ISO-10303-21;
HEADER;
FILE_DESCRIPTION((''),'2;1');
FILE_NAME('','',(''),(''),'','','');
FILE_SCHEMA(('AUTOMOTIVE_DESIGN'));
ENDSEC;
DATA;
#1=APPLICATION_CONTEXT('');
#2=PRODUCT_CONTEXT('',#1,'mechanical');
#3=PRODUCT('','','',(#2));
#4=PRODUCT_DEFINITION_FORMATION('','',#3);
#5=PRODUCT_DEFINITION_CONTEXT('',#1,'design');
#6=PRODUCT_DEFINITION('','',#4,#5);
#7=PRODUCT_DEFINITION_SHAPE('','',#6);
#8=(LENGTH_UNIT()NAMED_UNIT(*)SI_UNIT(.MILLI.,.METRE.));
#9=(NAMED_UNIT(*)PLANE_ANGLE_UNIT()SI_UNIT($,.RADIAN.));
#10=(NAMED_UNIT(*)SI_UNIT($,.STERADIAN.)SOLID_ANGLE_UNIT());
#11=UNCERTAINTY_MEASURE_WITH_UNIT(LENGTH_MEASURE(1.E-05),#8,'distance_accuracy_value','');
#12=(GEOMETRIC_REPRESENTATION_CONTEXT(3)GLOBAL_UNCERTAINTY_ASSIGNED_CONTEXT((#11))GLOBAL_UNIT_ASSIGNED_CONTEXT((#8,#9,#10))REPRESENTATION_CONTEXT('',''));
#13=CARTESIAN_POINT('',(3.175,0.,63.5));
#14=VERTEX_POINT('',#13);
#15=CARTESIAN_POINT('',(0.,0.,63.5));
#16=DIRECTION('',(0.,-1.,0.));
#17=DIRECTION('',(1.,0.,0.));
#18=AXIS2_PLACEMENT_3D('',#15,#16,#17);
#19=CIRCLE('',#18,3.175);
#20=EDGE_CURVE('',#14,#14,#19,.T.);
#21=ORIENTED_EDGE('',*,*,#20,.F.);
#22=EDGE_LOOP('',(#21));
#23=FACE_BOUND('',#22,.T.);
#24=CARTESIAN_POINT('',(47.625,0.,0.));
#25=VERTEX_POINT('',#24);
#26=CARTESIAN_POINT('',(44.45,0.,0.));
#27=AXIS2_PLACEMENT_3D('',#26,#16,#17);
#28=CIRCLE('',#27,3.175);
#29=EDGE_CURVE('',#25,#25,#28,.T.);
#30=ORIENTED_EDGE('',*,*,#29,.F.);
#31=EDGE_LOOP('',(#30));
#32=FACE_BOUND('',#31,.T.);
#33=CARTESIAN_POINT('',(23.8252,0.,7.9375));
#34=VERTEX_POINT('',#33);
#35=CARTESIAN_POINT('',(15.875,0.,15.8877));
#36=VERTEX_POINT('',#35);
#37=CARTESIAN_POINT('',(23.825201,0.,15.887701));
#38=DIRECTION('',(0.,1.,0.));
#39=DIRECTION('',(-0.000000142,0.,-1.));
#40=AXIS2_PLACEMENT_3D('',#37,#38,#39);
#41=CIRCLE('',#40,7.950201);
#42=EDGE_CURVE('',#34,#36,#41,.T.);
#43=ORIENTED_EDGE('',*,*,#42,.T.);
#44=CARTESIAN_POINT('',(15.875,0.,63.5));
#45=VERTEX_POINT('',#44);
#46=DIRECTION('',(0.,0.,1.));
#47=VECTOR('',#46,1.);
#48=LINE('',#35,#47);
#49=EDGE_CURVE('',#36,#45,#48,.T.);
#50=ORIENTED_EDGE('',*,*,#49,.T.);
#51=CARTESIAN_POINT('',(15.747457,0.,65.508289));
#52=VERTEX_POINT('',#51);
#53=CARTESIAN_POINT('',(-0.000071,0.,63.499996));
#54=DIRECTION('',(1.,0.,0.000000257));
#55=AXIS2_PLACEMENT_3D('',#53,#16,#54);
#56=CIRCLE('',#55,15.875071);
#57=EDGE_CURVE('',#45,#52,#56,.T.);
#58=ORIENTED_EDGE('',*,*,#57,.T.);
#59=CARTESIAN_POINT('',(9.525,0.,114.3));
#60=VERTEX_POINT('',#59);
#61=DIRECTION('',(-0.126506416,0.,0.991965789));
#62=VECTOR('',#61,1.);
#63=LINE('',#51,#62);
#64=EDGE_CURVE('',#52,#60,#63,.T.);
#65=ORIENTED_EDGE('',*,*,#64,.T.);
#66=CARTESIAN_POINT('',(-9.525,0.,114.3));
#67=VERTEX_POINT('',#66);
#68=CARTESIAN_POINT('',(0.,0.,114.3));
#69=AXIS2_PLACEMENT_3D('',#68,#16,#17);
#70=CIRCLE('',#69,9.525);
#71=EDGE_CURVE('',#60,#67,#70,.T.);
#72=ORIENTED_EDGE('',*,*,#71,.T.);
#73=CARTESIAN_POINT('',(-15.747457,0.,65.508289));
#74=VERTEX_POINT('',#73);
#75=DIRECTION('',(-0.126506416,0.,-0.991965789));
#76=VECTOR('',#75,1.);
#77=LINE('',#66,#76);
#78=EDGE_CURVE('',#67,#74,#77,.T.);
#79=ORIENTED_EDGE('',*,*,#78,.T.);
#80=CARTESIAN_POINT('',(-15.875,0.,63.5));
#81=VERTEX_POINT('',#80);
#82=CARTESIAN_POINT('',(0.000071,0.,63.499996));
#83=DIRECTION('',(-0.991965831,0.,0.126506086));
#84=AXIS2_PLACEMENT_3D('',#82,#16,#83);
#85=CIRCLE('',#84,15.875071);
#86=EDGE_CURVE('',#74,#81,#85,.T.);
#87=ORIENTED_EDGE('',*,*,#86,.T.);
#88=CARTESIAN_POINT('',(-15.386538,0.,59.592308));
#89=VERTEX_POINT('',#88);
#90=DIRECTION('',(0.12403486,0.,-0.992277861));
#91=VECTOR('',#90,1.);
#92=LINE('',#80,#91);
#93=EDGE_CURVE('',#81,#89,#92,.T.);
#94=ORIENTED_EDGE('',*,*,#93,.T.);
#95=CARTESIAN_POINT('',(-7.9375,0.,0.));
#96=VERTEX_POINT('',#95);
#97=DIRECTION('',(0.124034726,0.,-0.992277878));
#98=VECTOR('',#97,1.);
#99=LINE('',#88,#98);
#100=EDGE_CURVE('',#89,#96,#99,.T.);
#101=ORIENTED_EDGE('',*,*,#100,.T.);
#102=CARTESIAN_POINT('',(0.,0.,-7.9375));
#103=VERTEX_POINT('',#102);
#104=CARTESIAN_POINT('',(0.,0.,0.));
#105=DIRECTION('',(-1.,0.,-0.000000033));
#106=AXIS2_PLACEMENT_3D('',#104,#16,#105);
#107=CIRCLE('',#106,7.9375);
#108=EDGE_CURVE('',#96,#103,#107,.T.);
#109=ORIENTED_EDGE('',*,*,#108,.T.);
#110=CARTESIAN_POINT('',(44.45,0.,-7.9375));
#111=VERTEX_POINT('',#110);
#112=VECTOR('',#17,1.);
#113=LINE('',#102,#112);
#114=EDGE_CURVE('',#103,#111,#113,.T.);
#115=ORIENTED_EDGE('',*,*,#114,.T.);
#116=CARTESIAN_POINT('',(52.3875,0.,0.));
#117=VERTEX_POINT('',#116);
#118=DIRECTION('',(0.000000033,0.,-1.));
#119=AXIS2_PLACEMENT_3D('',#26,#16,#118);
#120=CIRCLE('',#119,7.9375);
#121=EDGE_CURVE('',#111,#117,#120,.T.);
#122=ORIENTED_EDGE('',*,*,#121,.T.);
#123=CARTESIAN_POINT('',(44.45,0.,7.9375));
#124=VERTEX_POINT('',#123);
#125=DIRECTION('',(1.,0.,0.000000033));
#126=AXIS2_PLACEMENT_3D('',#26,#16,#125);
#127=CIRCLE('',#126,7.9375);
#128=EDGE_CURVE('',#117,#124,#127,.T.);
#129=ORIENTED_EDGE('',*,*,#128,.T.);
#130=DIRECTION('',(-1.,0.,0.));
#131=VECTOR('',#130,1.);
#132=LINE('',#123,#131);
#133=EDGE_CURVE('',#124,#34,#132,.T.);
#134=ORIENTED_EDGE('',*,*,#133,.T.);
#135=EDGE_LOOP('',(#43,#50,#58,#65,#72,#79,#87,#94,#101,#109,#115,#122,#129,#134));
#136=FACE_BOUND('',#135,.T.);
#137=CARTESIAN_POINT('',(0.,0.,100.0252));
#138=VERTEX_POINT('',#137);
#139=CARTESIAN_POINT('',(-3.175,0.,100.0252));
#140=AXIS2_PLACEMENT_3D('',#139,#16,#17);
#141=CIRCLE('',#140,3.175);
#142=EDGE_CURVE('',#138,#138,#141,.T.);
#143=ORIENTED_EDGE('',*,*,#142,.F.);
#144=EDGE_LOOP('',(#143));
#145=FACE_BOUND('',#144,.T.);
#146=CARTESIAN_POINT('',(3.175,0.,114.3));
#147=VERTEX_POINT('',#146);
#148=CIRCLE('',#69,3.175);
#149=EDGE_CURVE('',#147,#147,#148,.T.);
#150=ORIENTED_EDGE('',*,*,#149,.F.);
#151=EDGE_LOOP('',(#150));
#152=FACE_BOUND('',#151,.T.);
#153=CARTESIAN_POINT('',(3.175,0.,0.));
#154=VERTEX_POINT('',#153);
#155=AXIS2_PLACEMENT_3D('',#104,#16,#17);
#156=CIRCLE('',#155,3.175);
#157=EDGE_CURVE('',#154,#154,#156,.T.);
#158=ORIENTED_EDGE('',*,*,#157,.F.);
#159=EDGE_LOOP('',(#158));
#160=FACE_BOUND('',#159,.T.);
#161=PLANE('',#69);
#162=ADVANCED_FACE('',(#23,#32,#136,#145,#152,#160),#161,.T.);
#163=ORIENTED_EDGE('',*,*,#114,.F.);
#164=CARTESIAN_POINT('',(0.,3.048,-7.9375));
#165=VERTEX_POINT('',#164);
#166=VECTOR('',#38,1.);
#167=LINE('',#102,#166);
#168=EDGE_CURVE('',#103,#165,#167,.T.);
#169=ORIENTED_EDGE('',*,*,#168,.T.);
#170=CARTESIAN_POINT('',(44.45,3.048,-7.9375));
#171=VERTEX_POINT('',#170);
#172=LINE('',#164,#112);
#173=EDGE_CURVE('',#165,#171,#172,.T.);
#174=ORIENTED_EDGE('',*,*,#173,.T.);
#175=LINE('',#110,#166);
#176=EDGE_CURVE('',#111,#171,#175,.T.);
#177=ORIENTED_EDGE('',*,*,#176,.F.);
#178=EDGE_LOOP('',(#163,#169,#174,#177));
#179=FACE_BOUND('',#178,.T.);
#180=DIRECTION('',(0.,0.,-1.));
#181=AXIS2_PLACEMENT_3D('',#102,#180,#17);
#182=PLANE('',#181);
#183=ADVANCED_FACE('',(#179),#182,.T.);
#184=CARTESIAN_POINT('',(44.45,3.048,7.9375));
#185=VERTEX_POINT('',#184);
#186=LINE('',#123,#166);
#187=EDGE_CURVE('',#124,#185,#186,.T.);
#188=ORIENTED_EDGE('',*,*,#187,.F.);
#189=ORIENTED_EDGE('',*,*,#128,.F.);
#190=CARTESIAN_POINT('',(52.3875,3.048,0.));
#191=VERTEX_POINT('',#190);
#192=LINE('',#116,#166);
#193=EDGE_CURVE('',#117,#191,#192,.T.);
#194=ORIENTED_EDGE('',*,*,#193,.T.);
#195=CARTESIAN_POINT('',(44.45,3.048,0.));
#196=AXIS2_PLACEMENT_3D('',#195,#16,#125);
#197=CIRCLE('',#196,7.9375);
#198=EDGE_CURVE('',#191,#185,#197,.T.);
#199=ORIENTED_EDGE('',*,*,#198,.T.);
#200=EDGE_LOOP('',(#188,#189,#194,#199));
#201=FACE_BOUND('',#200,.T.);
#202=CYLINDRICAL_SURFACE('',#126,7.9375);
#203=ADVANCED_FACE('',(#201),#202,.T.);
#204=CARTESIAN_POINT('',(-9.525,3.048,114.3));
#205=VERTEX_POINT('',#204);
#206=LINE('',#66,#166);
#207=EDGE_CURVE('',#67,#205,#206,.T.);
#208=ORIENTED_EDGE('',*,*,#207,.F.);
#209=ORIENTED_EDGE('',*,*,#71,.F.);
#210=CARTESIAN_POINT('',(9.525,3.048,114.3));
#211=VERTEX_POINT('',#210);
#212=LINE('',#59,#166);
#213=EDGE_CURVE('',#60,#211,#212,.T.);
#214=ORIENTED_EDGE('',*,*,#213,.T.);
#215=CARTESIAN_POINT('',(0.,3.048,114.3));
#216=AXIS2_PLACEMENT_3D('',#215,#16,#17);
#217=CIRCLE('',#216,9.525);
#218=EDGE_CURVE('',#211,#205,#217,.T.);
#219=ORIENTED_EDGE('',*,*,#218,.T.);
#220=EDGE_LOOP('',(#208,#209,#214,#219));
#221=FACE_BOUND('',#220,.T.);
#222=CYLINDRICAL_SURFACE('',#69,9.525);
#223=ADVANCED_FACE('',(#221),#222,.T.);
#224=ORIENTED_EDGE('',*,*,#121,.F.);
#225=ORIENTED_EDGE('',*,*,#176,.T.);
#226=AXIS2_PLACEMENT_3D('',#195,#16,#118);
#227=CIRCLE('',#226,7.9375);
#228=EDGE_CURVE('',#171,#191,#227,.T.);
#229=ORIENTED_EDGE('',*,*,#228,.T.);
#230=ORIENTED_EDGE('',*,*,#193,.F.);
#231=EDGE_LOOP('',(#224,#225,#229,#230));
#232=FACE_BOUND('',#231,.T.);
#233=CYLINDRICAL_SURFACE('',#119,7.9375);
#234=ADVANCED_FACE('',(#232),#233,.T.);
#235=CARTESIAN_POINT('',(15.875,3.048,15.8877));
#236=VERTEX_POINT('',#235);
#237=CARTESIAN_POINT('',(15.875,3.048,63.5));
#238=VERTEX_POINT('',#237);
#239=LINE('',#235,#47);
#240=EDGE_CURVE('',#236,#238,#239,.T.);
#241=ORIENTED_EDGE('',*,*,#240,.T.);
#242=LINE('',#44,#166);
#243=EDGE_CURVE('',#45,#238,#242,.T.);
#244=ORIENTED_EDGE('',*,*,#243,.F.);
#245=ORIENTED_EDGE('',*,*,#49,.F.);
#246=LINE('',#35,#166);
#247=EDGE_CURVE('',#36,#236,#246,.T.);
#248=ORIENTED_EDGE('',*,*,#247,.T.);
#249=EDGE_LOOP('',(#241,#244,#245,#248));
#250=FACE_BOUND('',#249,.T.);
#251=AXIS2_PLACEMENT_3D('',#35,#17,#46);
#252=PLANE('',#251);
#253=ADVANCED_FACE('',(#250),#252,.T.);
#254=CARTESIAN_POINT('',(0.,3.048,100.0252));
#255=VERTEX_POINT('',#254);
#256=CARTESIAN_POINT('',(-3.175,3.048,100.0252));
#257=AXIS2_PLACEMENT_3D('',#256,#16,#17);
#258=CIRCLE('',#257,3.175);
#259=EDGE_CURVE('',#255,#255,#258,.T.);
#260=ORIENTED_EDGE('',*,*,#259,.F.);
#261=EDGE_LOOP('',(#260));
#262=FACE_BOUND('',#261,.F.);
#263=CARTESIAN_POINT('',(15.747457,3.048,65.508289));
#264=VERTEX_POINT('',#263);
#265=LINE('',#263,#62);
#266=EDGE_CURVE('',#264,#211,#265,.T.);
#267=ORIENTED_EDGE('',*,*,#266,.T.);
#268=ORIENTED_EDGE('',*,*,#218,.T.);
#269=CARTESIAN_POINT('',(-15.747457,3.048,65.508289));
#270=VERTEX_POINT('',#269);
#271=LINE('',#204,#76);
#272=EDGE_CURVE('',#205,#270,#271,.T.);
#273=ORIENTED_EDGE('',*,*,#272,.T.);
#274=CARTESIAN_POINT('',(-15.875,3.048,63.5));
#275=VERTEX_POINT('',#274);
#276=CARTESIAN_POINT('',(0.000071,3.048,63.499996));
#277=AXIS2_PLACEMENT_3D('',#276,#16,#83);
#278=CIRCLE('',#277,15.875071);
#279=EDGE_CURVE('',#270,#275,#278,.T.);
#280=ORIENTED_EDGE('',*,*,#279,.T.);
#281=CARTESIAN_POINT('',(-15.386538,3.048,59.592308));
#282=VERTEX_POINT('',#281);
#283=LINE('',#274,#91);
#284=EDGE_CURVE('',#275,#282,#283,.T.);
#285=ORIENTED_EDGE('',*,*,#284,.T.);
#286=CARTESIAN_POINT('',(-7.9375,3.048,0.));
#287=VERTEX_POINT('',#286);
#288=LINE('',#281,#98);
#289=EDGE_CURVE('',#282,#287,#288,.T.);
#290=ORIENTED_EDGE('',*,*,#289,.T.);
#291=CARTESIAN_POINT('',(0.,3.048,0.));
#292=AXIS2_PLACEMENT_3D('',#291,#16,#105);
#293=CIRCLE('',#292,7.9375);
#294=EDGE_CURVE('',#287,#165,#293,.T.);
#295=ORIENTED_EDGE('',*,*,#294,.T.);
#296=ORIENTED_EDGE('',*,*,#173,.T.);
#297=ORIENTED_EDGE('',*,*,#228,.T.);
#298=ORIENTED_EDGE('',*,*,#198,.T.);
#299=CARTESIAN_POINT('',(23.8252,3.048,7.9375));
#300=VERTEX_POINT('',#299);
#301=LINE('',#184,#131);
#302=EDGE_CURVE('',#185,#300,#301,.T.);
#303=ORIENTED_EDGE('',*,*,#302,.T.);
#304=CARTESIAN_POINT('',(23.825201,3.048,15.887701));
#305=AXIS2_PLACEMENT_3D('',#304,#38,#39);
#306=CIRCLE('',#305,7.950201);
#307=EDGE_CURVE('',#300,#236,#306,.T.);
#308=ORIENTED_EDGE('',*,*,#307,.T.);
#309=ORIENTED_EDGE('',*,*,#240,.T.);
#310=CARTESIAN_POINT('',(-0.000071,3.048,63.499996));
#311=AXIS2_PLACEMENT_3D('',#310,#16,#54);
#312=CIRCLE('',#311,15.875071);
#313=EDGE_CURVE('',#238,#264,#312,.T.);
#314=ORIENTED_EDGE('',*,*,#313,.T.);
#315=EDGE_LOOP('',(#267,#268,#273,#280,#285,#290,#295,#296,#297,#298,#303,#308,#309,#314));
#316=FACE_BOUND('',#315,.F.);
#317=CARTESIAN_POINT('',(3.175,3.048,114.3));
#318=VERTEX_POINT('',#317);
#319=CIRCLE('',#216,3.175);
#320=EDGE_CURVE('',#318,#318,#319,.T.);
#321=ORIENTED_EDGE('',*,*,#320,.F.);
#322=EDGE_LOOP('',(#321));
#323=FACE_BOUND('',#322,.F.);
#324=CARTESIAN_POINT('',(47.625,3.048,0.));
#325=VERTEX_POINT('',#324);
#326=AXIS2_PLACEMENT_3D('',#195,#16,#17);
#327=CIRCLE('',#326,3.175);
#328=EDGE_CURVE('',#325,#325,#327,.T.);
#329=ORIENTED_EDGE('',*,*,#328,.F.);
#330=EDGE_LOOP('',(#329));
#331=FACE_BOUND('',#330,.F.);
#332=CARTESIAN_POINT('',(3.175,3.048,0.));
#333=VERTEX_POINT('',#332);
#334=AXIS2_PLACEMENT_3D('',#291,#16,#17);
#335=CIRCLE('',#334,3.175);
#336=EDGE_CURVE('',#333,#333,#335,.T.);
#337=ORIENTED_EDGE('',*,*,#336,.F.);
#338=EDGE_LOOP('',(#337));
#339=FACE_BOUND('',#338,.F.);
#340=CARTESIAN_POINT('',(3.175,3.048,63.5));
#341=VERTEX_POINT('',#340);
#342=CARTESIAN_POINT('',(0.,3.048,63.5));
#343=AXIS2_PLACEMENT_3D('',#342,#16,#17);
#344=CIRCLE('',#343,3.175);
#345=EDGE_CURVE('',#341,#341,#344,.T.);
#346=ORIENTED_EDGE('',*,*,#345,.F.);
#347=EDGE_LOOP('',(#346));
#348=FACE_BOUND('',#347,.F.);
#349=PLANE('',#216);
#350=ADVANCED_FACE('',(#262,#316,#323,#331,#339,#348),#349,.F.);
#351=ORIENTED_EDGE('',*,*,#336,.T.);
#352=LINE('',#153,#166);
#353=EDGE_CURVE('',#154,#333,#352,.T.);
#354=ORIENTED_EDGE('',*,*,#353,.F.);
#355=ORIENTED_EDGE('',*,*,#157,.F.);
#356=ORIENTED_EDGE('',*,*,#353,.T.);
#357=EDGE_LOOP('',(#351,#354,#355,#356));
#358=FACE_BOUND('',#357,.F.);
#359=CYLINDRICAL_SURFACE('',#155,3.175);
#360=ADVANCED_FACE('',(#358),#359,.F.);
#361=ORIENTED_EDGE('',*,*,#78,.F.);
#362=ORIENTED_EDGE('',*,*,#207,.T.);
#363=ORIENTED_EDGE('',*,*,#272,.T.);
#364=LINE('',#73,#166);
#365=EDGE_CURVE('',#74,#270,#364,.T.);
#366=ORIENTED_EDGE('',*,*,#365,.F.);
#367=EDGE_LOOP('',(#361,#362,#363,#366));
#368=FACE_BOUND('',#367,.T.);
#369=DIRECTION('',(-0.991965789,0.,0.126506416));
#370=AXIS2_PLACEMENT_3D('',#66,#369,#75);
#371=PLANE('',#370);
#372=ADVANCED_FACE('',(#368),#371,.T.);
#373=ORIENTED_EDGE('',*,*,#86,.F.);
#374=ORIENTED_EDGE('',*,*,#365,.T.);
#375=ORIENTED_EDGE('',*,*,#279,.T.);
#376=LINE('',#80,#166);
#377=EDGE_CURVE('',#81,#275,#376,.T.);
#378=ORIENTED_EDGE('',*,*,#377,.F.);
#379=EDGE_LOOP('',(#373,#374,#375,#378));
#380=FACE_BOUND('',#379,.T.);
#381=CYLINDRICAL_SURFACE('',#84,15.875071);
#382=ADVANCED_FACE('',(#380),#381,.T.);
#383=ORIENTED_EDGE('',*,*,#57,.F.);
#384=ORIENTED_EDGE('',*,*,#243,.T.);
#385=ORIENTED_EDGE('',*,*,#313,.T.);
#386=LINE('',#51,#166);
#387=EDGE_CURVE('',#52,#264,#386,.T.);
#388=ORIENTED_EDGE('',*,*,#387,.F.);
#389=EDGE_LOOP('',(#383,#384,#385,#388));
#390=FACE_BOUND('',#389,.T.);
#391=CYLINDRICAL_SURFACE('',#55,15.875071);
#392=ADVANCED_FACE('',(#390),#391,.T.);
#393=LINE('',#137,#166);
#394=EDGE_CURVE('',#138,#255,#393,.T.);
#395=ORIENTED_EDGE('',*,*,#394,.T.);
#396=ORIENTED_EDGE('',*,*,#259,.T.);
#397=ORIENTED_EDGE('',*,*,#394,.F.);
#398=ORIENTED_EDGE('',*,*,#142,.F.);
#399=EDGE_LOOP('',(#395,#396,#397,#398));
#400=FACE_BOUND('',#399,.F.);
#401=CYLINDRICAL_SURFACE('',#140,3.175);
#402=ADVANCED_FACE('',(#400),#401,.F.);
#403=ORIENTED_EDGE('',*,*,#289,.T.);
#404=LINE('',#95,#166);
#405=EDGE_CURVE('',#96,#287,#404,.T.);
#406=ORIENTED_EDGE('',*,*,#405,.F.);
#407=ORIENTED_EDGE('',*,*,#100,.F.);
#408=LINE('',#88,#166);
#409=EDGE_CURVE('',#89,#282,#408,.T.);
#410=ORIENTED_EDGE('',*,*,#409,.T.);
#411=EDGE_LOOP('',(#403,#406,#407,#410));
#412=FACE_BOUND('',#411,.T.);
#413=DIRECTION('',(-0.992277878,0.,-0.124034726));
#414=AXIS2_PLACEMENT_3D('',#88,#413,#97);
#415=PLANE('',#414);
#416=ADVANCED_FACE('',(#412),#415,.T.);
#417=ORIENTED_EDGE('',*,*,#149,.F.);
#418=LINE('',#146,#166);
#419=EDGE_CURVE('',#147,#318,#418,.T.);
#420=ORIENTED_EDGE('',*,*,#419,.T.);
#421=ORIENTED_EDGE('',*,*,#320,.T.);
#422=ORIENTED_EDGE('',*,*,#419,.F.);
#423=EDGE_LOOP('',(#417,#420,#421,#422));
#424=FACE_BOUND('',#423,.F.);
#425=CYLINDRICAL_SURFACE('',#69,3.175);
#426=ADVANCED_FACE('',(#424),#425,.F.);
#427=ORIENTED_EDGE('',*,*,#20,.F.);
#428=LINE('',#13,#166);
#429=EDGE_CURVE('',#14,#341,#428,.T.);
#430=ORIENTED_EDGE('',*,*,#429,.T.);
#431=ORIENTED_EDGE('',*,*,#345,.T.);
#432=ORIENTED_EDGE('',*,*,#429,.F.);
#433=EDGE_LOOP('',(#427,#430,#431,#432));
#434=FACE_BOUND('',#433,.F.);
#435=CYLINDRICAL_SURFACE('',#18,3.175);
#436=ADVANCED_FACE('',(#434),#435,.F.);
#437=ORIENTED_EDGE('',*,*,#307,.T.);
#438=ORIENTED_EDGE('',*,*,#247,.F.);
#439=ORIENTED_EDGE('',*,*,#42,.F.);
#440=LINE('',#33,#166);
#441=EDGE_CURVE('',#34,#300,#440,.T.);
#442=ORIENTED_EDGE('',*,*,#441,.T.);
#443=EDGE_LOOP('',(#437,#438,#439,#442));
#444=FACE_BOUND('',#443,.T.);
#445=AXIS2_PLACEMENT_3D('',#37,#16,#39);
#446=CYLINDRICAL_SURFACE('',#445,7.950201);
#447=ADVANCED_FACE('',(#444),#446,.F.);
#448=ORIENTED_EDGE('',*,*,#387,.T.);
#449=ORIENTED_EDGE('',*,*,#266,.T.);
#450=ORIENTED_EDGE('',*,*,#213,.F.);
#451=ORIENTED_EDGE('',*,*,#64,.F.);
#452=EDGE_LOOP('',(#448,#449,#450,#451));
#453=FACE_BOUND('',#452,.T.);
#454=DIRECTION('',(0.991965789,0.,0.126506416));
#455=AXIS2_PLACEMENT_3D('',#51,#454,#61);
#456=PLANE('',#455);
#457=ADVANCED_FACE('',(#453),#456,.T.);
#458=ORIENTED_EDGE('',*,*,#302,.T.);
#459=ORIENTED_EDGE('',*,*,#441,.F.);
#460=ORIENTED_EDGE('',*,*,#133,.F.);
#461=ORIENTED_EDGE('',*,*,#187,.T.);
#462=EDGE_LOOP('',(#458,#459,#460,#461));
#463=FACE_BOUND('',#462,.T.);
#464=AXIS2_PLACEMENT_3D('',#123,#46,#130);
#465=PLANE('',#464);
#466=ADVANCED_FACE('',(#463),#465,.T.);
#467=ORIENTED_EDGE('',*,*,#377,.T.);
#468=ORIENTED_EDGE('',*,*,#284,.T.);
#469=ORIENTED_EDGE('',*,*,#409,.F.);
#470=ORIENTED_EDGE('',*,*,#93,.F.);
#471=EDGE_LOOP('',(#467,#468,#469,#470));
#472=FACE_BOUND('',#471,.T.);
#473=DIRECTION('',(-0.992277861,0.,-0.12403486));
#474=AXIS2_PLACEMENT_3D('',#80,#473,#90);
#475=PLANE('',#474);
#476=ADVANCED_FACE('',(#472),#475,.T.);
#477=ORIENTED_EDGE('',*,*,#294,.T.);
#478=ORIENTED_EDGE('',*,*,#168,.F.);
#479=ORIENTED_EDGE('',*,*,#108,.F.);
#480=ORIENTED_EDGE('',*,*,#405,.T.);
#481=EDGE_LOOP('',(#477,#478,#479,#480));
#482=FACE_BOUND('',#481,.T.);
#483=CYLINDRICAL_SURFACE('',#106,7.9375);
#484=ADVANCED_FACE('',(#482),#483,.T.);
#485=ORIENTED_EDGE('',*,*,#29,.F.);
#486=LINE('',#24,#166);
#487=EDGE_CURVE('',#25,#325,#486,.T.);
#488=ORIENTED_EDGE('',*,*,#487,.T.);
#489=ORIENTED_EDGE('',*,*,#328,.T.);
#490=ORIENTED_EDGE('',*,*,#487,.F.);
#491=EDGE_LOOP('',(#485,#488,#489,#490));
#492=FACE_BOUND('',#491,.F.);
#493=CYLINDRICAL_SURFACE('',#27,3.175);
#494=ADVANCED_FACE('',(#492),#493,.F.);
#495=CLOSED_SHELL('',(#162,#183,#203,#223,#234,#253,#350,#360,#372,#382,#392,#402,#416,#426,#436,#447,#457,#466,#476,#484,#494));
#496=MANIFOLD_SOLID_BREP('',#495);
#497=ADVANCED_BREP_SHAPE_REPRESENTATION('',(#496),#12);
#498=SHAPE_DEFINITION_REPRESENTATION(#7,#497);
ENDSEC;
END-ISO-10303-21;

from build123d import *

# Parameters (mm, degrees)
F0_R     = 3.175
F1_DEPTH = 3.048


with BuildPart() as f1:
    # F0 (on Front) → F1 (new body)
    with BuildSketch(Plane.XZ):
        with BuildLine():
            ThreePointArc((-9.525, 114.3), (0, 104.775), (9.525, 114.3))
            ThreePointArc((9.525, 114.3), (0, 123.825), (-9.525, 114.3))
        make_face()
        with Locations((0, 114.3)):
            Circle(F0_R, mode=Mode.SUBTRACT)
        with BuildLine():
            ThreePointArc((-15.747457, 65.508289), (0, 79.375), (15.747457, 65.508289))
            Line((15.747457, 65.508289), (9.525, 114.3))
            ThreePointArc((9.525, 114.3), (0, 104.775), (-9.525, 114.3))
            Line((-9.525, 114.3), (-15.747457, 65.508289))
        make_face()
        with Locations((-3.175, 100.0252)):
            Circle(F0_R, mode=Mode.SUBTRACT)
        with BuildLine():
            ThreePointArc((-15.386538, 59.592308), (1.969051, 47.747589), (15.875, 63.5))
            ThreePointArc((15.875, 63.5), (15.843082, 64.506168), (15.747457, 65.508289))
            ThreePointArc((15.747457, 65.508289), (0, 79.375), (-15.747457, 65.508289))
            ThreePointArc((-15.747457, 65.508289), (-15.843082, 64.506168), (-15.875, 63.5))
            Line((-15.875, 63.5), (-15.386538, 59.592308))
        make_face()
        with Locations((0, 63.5)):
            Circle(F0_R, mode=Mode.SUBTRACT)
        with BuildLine():
            Line((15.875, 15.8877), (15.875, 63.5))
            ThreePointArc((15.875, 63.5), (1.969051, 47.747589), (-15.386538, 59.592308))
            Line((-15.386538, 59.592308), (-7.9375, 0))
            ThreePointArc((-7.9375, 0), (0, 7.9375), (7.9375, 0))
            ThreePointArc((7.9375, 0), (5.61266, -5.61266), (0, -7.9375))
            Line((0, -7.9375), (44.45, -7.9375))
            ThreePointArc((44.45, -7.9375), (36.5125, 0), (44.45, 7.9375))
            Line((44.45, 7.9375), (23.8252, 7.9375))
            ThreePointArc((23.8252, 7.9375), (18.20356, 10.26606), (15.875, 15.8877))
        make_face()
        with BuildLine():
            ThreePointArc((7.9375, 0), (0, 7.9375), (-7.9375, 0))
            ThreePointArc((-7.9375, 0), (-5.61266, -5.61266), (0, -7.9375))
            ThreePointArc((0, -7.9375), (5.61266, -5.61266), (7.9375, 0))
        make_face()
        Circle(F0_R, mode=Mode.SUBTRACT)
        with BuildLine():
            ThreePointArc((52.3875, 0), (50.06266, 5.61266), (44.45, 7.9375))
            ThreePointArc((44.45, 7.9375), (36.5125, 0), (44.45, -7.9375))
            ThreePointArc((44.45, -7.9375), (50.06266, -5.61266), (52.3875, 0))
        make_face()
        with Locations((44.45, 0)):
            Circle(F0_R, mode=Mode.SUBTRACT)
    extrude(amount=-F1_DEPTH)


solid = f1.part
